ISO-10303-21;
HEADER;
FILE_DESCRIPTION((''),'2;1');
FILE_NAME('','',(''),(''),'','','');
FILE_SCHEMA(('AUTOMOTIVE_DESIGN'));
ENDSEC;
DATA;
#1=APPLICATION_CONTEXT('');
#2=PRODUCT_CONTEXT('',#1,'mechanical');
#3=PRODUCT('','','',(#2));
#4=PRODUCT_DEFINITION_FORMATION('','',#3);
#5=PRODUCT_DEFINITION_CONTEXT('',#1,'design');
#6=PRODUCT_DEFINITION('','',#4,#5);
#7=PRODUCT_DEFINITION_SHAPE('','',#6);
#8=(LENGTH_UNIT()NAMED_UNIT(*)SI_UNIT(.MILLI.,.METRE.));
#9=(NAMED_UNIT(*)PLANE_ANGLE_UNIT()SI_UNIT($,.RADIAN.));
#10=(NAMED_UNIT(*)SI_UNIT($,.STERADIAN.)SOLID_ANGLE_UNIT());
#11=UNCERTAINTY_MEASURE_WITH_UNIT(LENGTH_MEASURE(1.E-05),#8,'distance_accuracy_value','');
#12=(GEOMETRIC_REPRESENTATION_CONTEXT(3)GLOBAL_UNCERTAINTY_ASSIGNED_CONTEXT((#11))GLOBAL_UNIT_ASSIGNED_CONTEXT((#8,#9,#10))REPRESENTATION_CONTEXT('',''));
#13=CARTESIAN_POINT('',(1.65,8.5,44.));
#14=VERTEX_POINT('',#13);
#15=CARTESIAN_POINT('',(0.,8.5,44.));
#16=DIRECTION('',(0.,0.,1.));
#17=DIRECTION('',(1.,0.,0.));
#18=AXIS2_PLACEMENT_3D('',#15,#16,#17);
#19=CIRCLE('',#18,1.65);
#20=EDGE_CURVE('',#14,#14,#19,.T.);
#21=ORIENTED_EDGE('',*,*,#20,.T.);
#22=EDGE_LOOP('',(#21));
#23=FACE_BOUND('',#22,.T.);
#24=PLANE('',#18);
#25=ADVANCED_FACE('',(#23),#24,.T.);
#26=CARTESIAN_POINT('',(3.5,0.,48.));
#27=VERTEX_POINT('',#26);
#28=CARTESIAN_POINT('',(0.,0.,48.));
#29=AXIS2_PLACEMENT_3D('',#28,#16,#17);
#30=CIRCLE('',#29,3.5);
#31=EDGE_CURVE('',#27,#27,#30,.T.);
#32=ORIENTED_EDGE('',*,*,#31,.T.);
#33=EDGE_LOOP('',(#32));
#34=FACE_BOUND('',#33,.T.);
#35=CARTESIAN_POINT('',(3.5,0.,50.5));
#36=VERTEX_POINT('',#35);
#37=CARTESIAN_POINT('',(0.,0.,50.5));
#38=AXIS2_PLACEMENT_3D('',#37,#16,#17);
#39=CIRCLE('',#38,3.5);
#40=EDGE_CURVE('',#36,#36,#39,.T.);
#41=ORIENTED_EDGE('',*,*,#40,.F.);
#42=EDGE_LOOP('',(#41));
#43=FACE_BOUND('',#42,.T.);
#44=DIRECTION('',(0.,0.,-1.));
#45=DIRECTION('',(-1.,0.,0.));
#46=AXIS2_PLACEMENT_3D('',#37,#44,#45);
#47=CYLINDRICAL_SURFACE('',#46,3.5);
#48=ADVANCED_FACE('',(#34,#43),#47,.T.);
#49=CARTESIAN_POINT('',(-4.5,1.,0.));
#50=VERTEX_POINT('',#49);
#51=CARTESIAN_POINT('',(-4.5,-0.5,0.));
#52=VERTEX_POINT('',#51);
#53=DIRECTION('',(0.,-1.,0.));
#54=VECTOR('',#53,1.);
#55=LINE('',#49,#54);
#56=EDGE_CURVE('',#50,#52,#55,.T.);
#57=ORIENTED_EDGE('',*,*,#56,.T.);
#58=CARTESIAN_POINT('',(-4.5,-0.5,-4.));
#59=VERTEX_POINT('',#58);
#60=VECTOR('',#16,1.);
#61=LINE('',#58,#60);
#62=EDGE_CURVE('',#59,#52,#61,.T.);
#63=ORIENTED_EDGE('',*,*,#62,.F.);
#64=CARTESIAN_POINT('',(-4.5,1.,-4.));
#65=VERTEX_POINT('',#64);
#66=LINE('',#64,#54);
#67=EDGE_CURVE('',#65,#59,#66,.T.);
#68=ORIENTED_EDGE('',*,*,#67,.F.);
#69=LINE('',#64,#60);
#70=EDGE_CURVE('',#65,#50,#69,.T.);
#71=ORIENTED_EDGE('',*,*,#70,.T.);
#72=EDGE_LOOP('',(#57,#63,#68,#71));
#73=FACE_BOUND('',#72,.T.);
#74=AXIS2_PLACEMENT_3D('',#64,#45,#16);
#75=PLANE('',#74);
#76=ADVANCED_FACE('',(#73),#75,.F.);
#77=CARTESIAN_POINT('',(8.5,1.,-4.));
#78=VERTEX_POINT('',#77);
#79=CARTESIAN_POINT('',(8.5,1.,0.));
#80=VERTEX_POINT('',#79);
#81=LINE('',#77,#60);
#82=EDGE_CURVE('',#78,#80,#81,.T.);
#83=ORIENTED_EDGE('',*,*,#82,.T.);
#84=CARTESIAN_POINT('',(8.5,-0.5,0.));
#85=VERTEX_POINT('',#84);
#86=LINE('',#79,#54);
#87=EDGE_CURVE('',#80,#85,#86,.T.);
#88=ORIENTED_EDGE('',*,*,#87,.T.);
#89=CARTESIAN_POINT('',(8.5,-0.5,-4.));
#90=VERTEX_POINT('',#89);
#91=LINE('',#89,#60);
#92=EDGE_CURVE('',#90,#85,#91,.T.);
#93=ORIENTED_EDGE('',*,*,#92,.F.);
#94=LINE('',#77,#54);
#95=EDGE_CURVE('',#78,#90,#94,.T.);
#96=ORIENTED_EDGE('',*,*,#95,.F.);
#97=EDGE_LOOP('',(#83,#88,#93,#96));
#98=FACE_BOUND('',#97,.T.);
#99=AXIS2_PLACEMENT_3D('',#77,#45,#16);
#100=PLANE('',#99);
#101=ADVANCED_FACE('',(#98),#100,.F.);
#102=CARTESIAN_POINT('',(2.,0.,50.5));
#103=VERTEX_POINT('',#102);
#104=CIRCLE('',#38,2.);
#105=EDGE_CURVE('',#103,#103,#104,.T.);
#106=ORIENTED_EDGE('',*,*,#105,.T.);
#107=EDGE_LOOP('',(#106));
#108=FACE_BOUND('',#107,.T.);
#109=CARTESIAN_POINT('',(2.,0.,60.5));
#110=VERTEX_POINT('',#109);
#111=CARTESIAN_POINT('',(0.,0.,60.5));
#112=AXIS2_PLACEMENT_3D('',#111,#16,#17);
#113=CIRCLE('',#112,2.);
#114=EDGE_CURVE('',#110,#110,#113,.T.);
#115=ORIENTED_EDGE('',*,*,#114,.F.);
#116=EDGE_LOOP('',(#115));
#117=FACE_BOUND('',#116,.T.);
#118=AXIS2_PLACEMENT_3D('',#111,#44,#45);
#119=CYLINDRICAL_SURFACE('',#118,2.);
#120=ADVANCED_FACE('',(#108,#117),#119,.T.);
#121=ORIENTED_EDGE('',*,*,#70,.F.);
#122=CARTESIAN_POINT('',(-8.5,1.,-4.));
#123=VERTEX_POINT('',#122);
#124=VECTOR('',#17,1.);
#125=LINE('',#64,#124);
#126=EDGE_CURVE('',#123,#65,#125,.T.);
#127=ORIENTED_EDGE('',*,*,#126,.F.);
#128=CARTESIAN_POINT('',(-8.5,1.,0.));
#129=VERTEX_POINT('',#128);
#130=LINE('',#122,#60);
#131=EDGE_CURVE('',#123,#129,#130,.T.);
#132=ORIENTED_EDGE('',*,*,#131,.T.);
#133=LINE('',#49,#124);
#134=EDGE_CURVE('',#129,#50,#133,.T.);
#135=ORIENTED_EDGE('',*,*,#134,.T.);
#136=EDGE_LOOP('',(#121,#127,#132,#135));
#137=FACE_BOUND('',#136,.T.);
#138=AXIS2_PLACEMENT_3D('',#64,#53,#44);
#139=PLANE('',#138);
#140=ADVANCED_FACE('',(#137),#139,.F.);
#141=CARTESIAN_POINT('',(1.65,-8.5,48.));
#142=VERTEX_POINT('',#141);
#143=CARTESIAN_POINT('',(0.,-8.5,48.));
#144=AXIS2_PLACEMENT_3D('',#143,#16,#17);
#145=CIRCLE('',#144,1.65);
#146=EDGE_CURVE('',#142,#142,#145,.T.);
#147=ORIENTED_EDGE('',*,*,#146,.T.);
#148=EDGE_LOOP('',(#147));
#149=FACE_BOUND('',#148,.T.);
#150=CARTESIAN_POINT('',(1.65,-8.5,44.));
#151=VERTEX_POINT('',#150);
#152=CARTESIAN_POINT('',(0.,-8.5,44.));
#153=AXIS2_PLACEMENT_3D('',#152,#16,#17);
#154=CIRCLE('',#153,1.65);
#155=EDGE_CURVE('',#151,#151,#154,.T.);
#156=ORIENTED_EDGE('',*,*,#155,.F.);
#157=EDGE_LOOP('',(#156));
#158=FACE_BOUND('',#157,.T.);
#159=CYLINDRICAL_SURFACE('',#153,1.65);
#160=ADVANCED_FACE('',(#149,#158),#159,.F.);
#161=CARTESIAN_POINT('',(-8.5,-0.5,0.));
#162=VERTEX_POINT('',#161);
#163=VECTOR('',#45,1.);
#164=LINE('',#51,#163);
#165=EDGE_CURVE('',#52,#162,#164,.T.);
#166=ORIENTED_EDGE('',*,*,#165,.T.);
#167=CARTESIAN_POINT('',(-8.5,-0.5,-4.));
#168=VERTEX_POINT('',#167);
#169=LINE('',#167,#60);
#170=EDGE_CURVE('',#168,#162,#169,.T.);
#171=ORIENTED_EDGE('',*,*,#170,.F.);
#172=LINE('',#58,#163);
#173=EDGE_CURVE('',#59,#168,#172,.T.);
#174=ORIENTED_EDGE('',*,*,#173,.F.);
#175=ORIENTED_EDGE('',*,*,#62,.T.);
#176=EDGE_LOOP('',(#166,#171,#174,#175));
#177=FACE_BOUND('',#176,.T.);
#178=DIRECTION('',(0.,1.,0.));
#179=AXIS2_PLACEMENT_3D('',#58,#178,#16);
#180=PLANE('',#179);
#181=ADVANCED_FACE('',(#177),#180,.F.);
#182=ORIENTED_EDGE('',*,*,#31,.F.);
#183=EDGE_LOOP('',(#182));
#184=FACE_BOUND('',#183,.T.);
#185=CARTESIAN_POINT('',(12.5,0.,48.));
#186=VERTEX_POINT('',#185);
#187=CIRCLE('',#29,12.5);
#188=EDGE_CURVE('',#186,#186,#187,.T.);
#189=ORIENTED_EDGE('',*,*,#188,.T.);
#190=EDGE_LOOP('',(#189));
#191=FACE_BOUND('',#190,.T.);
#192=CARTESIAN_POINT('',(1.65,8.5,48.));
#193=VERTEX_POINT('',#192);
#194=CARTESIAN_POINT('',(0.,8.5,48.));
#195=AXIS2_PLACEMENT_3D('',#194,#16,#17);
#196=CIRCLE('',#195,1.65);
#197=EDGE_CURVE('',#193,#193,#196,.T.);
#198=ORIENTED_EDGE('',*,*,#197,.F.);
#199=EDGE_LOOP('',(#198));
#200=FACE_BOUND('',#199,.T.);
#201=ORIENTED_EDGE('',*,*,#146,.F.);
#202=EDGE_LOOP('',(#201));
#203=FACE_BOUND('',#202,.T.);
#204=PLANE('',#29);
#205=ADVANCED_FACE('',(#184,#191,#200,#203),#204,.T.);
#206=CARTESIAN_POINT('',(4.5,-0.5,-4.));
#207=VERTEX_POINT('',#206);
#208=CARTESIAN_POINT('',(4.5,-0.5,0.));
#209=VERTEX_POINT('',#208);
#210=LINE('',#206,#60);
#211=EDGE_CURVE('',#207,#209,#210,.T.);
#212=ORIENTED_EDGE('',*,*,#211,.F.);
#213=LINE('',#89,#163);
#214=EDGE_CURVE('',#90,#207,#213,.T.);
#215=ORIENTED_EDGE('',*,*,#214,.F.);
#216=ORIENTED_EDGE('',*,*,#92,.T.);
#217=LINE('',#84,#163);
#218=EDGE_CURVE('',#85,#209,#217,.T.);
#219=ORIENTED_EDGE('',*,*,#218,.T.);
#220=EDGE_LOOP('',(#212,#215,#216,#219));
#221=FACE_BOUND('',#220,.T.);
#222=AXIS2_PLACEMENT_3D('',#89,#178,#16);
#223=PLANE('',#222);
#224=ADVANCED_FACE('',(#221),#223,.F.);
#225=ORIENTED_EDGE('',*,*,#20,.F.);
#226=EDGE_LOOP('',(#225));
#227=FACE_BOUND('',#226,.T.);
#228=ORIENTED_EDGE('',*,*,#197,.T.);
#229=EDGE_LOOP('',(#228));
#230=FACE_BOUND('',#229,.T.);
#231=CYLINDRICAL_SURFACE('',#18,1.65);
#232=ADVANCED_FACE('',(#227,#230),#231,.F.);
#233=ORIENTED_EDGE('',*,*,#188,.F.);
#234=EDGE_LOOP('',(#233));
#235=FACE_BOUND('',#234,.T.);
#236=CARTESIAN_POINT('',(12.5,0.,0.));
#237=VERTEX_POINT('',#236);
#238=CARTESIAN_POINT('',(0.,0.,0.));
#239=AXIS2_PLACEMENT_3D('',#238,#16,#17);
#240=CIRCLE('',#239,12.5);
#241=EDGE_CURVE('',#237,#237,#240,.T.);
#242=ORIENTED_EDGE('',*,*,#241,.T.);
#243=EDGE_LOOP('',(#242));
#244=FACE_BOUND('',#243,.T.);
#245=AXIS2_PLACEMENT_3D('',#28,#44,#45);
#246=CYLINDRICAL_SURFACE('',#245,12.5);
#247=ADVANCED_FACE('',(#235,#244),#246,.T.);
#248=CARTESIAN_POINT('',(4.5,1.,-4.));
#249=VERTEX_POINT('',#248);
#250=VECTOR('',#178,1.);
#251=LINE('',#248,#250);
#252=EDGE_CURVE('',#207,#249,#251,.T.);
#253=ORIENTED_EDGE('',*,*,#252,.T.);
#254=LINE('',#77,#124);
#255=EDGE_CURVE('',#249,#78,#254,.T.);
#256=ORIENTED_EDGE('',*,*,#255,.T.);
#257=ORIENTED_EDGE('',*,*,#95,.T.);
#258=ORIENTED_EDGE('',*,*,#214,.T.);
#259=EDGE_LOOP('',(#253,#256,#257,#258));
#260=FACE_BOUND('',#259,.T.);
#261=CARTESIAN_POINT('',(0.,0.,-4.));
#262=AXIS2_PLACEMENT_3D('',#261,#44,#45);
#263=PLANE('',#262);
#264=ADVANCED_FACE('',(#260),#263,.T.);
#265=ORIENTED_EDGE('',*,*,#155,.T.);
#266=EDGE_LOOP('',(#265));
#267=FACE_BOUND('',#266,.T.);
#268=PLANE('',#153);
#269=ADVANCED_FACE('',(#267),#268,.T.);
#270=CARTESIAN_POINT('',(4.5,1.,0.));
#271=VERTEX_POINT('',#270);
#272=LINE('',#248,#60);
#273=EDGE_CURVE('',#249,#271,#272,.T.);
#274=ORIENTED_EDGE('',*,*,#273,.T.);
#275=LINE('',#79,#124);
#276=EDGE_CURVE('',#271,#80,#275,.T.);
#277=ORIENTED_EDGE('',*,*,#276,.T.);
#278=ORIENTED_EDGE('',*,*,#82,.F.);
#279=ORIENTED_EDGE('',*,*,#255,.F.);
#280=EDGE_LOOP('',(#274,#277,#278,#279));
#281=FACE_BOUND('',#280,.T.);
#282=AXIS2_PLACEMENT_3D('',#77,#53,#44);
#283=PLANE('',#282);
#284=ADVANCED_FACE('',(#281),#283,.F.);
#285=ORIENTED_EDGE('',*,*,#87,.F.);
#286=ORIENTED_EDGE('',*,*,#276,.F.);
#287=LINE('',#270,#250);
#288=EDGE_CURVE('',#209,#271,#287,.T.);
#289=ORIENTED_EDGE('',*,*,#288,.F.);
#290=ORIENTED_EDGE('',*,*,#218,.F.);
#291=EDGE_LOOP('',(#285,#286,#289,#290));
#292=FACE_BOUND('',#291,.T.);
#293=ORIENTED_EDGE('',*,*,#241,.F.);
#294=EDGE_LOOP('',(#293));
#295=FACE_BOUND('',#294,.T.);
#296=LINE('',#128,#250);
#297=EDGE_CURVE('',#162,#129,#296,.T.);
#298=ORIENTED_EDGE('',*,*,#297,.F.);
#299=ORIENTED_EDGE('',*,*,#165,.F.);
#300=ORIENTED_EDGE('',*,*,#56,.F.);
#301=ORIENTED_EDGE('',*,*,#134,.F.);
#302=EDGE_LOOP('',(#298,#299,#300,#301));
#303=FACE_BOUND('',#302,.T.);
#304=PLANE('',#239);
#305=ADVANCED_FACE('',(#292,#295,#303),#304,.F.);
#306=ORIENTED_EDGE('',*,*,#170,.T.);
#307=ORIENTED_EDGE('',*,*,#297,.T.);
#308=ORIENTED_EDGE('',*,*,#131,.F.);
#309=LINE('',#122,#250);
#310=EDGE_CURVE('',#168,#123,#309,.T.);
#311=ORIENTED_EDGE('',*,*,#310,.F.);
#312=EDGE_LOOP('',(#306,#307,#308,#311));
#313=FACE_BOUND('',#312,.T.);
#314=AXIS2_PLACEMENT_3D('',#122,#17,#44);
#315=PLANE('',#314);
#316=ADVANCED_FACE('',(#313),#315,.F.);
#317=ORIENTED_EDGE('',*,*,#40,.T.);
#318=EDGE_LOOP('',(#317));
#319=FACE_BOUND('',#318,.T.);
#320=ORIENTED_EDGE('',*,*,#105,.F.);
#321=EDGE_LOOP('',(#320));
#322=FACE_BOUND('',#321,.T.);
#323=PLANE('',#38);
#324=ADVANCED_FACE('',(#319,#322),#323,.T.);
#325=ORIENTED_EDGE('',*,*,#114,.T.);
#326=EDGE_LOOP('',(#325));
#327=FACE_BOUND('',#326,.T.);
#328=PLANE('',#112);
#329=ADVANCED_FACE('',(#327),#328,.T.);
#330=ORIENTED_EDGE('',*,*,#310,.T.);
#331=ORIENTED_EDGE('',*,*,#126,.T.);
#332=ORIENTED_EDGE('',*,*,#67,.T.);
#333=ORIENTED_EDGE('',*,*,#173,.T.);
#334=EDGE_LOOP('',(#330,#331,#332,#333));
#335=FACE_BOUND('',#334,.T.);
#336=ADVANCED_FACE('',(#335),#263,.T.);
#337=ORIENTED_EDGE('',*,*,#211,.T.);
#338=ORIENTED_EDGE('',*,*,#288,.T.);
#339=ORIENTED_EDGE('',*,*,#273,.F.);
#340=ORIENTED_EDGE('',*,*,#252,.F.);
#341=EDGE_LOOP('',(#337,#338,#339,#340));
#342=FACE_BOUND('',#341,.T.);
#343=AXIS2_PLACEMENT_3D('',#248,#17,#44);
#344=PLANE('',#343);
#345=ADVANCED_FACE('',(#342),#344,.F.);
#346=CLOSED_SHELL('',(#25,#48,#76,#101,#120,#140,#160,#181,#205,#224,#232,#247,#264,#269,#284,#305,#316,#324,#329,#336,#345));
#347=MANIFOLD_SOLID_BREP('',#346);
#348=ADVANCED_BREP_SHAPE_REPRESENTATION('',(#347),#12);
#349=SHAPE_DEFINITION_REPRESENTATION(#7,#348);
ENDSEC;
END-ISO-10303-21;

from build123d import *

# Parameters (mm, degrees)
SKICA1_R                 = 12.5
P_IDAT_VYSUNUT_M1_DEPTH  = 48
SKICA2_R                 = 3.5
P_IDAT_VYSUNUT_M2_DEPTH  = 2.5
SKICA3_R                 = 2
P_IDAT_VYSUNUT_M3_DEPTH  = 10
SKICA4_W                 = 4
SKICA4_H                 = 1.5
P_IDAT_VYSUNUT_M4_DEPTH  = 4
SKICA5_R                 = 1.65
ODEBRAT_VYSUNUT_M1_DEPTH = 4


with BuildPart() as part:
    # Skica1 → Přidat vysunutím1 (new body)
    with BuildSketch(Plane.XY):
        Circle(SKICA1_R)
    extrude(amount=P_IDAT_VYSUNUT_M1_DEPTH)

    # Skica2 → Přidat vysunutím2 (add)
    with BuildSketch(Plane.XY.offset(48)):
        Circle(SKICA2_R)
    extrude(amount=P_IDAT_VYSUNUT_M2_DEPTH)

    # Skica3 → Přidat vysunutím3 (add)
    with BuildSketch(Plane.XY.offset(50.5)):
        Circle(SKICA3_R)
    extrude(amount=P_IDAT_VYSUNUT_M3_DEPTH)

    # Skica4 → Přidat vysunutím4 (add)
    with BuildSketch(Plane(origin=(0, 0, 0), x_dir=(-1, 0, 0), z_dir=(0, 0, -1))):
        with Locations((-6.5, 0.25)):
            Rectangle(SKICA4_W, SKICA4_H)
        with Locations((6.5, 0.25)):
            Rectangle(SKICA4_W, SKICA4_H)
    extrude(amount=P_IDAT_VYSUNUT_M4_DEPTH)

    # Skica5 → Odebrat vysunutím1 (cut)
    with BuildSketch(Plane.XY.offset(48)):
        with Locations((0, 8.5)):
            Circle(SKICA5_R)
        with Locations((0, -8.5)):
            Circle(SKICA5_R)
    extrude(amount=-ODEBRAT_VYSUNUT_M1_DEPTH, mode=Mode.SUBTRACT)


solid = part.part
